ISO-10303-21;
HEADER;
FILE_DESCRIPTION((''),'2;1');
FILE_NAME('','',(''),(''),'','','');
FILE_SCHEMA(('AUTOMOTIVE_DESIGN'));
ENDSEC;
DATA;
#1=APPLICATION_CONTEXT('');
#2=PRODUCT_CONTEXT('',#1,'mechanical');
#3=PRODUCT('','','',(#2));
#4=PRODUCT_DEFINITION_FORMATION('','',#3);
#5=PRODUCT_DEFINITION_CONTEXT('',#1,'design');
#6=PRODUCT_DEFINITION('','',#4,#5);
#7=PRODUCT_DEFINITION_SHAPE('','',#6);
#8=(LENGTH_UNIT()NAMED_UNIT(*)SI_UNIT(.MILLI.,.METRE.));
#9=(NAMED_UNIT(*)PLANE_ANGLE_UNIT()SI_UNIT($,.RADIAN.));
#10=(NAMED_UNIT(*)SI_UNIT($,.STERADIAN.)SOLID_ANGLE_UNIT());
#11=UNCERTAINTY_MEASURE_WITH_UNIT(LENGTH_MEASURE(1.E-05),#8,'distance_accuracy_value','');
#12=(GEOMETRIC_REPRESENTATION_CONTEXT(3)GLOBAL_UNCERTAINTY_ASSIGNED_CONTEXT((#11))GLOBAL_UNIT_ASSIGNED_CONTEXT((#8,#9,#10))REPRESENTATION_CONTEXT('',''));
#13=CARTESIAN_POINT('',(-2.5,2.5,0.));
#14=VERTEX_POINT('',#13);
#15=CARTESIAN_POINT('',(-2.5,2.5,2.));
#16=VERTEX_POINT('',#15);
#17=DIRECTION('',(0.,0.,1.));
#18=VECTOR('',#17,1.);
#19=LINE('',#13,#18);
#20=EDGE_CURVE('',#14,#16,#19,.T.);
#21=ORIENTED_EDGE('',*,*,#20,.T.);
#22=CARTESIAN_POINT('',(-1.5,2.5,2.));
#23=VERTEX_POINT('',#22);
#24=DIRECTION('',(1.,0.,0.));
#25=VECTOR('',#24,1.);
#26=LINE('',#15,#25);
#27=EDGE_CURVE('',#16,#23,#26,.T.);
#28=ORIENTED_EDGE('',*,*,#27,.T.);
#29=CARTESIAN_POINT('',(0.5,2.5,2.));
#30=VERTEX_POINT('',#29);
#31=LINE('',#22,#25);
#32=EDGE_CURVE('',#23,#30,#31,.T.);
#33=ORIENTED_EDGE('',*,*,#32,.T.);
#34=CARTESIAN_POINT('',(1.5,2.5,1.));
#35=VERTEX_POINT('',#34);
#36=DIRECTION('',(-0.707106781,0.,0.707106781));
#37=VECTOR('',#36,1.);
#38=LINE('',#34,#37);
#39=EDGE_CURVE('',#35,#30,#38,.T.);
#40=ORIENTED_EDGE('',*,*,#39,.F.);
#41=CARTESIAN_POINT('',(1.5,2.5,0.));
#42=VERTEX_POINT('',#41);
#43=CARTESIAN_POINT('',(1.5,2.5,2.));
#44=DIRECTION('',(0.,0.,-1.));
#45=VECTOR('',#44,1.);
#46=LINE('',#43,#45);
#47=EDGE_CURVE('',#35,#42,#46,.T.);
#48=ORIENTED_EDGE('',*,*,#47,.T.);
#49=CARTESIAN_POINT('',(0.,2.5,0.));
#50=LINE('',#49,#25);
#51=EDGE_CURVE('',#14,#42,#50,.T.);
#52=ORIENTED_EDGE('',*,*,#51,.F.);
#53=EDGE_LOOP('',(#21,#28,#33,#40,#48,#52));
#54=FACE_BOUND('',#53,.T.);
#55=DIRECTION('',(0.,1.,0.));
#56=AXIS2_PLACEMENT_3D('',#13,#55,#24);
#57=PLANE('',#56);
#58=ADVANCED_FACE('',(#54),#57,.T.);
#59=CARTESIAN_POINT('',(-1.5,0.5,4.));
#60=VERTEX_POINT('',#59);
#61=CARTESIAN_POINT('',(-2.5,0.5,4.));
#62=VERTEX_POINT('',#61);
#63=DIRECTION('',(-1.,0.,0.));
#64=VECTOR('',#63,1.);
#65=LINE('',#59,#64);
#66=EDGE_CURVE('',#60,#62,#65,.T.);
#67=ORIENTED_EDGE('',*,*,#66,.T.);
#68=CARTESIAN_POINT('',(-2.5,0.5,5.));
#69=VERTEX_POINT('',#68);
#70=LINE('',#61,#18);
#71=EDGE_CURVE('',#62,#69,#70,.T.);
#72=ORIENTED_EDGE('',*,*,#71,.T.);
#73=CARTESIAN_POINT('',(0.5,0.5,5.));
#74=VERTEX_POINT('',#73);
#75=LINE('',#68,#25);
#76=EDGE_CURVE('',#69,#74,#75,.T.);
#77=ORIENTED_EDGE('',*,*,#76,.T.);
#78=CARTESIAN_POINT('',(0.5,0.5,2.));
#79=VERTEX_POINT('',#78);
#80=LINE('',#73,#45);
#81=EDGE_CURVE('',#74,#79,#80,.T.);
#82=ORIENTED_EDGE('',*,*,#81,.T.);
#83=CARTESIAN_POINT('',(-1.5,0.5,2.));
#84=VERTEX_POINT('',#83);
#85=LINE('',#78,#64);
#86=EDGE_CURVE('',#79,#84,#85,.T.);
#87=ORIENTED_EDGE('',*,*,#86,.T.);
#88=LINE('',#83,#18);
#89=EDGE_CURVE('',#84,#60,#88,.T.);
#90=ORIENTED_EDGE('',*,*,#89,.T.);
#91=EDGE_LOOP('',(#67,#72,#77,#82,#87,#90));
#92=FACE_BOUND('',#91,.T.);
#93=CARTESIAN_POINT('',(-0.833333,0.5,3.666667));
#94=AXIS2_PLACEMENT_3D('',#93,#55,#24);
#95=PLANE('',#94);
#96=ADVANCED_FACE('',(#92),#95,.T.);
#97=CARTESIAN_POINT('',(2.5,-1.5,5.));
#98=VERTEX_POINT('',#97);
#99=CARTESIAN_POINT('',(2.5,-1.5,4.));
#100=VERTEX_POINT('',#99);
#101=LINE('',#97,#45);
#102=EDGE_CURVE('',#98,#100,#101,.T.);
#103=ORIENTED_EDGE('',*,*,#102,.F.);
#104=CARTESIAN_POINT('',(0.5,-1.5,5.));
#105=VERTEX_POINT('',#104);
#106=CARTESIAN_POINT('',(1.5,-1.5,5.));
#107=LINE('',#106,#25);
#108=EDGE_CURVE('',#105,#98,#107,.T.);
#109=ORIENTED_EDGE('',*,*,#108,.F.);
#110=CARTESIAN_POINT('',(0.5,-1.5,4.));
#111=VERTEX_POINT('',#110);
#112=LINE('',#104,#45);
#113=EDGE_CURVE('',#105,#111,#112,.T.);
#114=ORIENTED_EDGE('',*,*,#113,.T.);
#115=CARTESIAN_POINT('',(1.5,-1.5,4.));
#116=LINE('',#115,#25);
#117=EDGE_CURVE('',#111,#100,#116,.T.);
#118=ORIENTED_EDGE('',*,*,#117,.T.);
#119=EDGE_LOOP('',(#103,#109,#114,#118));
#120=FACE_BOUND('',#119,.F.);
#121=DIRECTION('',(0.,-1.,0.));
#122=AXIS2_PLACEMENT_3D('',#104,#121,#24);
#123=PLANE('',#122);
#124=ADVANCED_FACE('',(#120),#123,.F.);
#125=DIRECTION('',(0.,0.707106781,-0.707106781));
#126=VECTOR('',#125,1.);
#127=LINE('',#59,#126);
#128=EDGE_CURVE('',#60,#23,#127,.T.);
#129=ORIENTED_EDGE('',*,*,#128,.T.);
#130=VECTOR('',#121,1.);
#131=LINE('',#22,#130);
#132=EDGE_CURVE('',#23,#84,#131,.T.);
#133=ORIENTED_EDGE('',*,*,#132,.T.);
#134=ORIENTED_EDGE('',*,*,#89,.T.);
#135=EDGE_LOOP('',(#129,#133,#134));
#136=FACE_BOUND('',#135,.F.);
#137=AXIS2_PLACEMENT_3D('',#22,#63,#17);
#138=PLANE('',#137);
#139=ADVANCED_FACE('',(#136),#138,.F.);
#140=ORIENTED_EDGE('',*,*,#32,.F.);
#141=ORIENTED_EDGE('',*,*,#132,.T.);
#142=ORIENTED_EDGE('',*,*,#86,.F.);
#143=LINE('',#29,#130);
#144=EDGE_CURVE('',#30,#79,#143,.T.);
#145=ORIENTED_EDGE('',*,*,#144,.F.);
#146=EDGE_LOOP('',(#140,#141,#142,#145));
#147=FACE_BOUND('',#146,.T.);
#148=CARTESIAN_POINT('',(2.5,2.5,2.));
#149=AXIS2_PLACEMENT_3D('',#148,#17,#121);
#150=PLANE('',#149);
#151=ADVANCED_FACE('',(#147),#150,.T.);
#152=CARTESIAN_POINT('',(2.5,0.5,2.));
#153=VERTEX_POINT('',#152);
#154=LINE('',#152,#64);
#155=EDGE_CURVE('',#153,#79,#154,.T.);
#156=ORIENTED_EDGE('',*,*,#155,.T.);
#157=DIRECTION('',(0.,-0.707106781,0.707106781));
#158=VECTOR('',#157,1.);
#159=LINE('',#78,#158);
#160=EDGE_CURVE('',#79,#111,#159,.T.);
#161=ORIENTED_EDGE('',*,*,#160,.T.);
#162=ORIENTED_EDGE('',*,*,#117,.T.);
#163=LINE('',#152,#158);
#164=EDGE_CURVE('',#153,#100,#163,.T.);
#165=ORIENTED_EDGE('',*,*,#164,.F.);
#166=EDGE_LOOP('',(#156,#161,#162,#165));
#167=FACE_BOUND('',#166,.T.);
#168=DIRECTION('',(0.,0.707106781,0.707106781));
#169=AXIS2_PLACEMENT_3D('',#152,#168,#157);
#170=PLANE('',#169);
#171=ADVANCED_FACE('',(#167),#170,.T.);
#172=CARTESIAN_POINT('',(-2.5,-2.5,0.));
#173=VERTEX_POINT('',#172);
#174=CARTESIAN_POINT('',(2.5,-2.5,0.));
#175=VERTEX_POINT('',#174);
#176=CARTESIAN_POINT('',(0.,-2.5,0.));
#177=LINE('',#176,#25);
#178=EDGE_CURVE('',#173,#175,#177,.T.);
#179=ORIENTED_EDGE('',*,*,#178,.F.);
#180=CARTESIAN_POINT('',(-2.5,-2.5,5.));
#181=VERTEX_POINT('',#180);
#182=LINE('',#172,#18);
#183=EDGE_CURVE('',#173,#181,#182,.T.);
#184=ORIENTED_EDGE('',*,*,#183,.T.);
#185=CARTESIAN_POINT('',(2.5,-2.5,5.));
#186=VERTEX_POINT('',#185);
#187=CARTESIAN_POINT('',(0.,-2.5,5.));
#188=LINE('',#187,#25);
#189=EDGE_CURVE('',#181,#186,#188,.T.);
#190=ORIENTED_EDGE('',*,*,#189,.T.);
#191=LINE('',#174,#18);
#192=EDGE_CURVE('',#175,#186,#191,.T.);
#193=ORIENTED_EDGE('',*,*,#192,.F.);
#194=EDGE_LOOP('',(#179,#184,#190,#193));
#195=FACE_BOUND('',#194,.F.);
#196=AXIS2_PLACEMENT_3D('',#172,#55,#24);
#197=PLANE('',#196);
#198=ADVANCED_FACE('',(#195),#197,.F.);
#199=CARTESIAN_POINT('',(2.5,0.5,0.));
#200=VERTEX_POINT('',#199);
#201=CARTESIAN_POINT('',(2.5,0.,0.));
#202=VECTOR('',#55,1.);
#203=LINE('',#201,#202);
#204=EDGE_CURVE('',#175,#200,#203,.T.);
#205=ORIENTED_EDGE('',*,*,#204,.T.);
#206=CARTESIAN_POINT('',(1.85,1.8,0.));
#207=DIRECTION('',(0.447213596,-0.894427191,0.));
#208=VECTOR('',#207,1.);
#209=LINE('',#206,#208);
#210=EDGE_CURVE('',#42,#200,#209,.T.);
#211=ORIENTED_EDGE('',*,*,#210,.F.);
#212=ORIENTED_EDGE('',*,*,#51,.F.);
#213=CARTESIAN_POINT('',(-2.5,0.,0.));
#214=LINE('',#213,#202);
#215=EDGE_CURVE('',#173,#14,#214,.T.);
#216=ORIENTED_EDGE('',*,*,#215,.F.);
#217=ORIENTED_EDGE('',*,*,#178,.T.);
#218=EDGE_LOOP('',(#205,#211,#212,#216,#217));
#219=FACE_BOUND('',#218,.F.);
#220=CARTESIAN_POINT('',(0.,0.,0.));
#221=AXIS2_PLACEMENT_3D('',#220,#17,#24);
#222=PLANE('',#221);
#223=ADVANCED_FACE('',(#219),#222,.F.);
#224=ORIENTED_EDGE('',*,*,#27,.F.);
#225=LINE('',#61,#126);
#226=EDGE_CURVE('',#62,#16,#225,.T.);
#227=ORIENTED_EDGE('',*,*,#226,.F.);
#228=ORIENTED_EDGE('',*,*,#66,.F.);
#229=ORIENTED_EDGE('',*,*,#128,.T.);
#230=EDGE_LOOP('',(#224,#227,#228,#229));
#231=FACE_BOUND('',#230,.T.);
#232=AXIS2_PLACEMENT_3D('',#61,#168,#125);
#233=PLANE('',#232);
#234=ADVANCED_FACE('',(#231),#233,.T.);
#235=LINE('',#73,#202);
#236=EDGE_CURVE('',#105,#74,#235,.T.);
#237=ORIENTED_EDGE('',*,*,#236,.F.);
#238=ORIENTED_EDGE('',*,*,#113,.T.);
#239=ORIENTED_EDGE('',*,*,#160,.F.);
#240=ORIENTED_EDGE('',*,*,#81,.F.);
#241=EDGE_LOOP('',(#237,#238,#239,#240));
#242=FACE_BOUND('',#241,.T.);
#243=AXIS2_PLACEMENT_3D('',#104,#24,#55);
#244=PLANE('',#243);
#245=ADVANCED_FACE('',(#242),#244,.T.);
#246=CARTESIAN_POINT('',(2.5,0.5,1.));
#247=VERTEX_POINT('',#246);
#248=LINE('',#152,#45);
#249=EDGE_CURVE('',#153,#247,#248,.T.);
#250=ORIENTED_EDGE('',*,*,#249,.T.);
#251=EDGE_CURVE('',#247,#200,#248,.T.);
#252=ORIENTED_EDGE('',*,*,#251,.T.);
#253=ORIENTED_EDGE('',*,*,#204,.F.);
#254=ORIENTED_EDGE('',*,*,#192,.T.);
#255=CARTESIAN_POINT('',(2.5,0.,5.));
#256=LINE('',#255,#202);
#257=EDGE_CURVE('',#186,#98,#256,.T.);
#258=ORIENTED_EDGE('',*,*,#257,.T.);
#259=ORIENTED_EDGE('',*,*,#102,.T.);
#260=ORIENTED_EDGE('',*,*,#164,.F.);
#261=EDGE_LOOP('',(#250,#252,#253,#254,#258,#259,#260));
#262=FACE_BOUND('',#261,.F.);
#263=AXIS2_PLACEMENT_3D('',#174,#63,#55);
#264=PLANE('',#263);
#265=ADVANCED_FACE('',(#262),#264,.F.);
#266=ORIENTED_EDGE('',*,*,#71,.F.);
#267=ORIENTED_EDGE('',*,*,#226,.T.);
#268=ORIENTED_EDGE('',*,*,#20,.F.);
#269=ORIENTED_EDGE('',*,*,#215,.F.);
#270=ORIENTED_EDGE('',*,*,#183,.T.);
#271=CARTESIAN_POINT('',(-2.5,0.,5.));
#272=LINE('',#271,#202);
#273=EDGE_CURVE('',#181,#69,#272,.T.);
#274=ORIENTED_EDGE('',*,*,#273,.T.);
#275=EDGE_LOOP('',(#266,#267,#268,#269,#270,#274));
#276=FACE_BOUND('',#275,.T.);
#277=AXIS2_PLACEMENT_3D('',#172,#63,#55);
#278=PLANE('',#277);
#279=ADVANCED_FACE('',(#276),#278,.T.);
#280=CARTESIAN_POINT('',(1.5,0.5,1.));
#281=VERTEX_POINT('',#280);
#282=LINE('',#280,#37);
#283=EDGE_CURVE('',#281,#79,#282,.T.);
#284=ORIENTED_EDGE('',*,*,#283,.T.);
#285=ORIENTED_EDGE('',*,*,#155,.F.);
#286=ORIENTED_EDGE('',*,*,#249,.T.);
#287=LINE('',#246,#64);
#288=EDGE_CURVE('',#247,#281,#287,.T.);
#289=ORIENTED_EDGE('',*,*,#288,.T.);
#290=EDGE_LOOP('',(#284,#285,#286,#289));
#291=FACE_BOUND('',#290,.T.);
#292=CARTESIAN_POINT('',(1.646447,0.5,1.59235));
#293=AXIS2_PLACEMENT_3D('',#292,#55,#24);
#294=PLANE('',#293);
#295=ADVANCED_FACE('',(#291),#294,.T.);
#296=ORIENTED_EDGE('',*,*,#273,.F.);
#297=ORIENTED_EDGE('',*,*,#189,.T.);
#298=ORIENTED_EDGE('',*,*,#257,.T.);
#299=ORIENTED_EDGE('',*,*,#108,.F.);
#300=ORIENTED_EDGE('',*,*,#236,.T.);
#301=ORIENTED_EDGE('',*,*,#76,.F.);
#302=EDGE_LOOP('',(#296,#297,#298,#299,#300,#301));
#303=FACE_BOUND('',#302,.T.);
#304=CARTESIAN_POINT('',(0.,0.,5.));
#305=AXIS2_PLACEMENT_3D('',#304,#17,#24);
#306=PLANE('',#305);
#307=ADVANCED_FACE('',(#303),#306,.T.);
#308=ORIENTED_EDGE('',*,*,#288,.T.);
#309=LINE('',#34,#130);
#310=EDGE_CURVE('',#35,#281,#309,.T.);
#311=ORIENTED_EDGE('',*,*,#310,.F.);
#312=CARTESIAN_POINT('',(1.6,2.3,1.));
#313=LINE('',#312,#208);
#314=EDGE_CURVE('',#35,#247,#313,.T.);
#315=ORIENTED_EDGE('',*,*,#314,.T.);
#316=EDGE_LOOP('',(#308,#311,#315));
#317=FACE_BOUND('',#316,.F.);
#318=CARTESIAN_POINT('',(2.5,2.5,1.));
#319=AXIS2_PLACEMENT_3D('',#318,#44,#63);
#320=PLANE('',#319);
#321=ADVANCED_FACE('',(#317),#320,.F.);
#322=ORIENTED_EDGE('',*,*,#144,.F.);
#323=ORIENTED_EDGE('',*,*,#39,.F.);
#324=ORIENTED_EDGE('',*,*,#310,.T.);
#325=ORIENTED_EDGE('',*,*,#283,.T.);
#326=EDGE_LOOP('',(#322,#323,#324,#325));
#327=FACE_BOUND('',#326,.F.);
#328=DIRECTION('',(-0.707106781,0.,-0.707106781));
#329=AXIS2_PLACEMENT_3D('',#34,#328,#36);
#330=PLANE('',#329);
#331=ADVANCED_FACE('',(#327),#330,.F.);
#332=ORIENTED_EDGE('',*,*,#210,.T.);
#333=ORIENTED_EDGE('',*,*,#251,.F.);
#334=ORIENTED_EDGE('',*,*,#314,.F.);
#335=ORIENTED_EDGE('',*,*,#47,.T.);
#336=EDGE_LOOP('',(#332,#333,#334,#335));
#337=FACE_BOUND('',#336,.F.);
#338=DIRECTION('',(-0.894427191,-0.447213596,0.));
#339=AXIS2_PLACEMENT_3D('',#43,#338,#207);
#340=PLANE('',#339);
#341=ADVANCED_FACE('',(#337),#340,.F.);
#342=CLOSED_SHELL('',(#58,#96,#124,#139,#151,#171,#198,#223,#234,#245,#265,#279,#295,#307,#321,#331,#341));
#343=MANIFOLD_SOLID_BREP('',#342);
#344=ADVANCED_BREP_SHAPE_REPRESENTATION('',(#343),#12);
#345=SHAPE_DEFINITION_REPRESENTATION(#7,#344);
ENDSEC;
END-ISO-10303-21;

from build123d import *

# Parameters (mm, degrees)
SKETCH1_W           = 5
SKETCH1_H           = 5
BOSS_EXTRUDE1_DEPTH = 5
CUT_EXTRUDE1_DEPTH  = 2
CUT_EXTRUDE7_DEPTH  = 1
SKETCH6_W           = 2
SKETCH6_H           = 4
CUT_EXTRUDE13_DEPTH = 1
CUT_EXTRUDE14_DEPTH = 2
CUT_EXTRUDE16_DEPTH = 3
CUT_EXTRUDE17_DEPTH = 2


with BuildPart() as part:
    # Sketch1 → Boss-Extrude1 (new body)
    with BuildSketch(Plane.XY):
        Rectangle(SKETCH1_W, SKETCH1_H)
    extrude(amount=BOSS_EXTRUDE1_DEPTH)

    # Sketch2 → Cut-Extrude1 (cut)
    with BuildSketch(Plane(origin=(0, 2.5, 0), x_dir=(1, 0, 0), z_dir=(0, 1, 0))):
        Polygon((-2.5, -5), (0.5, -5), (0.5, -2), (-1.5, -2), (-1.5, -4), (-2.5, -4), align=None)
    extrude(amount=-CUT_EXTRUDE1_DEPTH, mode=Mode.SUBTRACT)

    # Sketch3 → Cut-Extrude7 (cut)
    with BuildSketch(Plane.ZY.offset(2.5)):
        Polygon((4, 0.5), (2, 2.5), (4, 2.5), align=None)
    extrude(amount=-CUT_EXTRUDE7_DEPTH, mode=Mode.SUBTRACT)

    # Sketch6 → Cut-Extrude13 (cut)
    with BuildSketch(Plane.XY.offset(5)):
        with Locations((1.5, 0.5)):
            Rectangle(SKETCH6_W, SKETCH6_H)
    extrude(amount=-CUT_EXTRUDE13_DEPTH, mode=Mode.SUBTRACT)

    # Sketch7 → Cut-Extrude14 (cut)
    with BuildSketch(Plane(origin=(2.5, 0, 0), x_dir=(0, 0, -1), z_dir=(1, 0, 0))):
        Polygon((-4, 2.5), (-2, 2.5), (-2, 0.5), (-4, -1.5), align=None)
    extrude(amount=-CUT_EXTRUDE14_DEPTH, mode=Mode.SUBTRACT)

    # Sketch8 → Cut-Extrude16 (cut, through all)
    with BuildSketch(Plane.XY.offset(2)):
        Polygon((2.5, 2.5), (1.5, 2.5), (2.5, 0.5), align=None)
    extrude(amount=-CUT_EXTRUDE16_DEPTH, mode=Mode.SUBTRACT)

    # Sketch10 → Cut-Extrude17 (cut)
    with BuildSketch(Plane(origin=(0, 2.5, 0), x_dir=(1, 0, 0), z_dir=(0, 1, 0))):
        Polygon((2.5, -2), (2.5, -1), (1.5, -1), (0.5, -2), align=None)
    extrude(amount=-CUT_EXTRUDE17_DEPTH, mode=Mode.SUBTRACT)


solid = part.part
